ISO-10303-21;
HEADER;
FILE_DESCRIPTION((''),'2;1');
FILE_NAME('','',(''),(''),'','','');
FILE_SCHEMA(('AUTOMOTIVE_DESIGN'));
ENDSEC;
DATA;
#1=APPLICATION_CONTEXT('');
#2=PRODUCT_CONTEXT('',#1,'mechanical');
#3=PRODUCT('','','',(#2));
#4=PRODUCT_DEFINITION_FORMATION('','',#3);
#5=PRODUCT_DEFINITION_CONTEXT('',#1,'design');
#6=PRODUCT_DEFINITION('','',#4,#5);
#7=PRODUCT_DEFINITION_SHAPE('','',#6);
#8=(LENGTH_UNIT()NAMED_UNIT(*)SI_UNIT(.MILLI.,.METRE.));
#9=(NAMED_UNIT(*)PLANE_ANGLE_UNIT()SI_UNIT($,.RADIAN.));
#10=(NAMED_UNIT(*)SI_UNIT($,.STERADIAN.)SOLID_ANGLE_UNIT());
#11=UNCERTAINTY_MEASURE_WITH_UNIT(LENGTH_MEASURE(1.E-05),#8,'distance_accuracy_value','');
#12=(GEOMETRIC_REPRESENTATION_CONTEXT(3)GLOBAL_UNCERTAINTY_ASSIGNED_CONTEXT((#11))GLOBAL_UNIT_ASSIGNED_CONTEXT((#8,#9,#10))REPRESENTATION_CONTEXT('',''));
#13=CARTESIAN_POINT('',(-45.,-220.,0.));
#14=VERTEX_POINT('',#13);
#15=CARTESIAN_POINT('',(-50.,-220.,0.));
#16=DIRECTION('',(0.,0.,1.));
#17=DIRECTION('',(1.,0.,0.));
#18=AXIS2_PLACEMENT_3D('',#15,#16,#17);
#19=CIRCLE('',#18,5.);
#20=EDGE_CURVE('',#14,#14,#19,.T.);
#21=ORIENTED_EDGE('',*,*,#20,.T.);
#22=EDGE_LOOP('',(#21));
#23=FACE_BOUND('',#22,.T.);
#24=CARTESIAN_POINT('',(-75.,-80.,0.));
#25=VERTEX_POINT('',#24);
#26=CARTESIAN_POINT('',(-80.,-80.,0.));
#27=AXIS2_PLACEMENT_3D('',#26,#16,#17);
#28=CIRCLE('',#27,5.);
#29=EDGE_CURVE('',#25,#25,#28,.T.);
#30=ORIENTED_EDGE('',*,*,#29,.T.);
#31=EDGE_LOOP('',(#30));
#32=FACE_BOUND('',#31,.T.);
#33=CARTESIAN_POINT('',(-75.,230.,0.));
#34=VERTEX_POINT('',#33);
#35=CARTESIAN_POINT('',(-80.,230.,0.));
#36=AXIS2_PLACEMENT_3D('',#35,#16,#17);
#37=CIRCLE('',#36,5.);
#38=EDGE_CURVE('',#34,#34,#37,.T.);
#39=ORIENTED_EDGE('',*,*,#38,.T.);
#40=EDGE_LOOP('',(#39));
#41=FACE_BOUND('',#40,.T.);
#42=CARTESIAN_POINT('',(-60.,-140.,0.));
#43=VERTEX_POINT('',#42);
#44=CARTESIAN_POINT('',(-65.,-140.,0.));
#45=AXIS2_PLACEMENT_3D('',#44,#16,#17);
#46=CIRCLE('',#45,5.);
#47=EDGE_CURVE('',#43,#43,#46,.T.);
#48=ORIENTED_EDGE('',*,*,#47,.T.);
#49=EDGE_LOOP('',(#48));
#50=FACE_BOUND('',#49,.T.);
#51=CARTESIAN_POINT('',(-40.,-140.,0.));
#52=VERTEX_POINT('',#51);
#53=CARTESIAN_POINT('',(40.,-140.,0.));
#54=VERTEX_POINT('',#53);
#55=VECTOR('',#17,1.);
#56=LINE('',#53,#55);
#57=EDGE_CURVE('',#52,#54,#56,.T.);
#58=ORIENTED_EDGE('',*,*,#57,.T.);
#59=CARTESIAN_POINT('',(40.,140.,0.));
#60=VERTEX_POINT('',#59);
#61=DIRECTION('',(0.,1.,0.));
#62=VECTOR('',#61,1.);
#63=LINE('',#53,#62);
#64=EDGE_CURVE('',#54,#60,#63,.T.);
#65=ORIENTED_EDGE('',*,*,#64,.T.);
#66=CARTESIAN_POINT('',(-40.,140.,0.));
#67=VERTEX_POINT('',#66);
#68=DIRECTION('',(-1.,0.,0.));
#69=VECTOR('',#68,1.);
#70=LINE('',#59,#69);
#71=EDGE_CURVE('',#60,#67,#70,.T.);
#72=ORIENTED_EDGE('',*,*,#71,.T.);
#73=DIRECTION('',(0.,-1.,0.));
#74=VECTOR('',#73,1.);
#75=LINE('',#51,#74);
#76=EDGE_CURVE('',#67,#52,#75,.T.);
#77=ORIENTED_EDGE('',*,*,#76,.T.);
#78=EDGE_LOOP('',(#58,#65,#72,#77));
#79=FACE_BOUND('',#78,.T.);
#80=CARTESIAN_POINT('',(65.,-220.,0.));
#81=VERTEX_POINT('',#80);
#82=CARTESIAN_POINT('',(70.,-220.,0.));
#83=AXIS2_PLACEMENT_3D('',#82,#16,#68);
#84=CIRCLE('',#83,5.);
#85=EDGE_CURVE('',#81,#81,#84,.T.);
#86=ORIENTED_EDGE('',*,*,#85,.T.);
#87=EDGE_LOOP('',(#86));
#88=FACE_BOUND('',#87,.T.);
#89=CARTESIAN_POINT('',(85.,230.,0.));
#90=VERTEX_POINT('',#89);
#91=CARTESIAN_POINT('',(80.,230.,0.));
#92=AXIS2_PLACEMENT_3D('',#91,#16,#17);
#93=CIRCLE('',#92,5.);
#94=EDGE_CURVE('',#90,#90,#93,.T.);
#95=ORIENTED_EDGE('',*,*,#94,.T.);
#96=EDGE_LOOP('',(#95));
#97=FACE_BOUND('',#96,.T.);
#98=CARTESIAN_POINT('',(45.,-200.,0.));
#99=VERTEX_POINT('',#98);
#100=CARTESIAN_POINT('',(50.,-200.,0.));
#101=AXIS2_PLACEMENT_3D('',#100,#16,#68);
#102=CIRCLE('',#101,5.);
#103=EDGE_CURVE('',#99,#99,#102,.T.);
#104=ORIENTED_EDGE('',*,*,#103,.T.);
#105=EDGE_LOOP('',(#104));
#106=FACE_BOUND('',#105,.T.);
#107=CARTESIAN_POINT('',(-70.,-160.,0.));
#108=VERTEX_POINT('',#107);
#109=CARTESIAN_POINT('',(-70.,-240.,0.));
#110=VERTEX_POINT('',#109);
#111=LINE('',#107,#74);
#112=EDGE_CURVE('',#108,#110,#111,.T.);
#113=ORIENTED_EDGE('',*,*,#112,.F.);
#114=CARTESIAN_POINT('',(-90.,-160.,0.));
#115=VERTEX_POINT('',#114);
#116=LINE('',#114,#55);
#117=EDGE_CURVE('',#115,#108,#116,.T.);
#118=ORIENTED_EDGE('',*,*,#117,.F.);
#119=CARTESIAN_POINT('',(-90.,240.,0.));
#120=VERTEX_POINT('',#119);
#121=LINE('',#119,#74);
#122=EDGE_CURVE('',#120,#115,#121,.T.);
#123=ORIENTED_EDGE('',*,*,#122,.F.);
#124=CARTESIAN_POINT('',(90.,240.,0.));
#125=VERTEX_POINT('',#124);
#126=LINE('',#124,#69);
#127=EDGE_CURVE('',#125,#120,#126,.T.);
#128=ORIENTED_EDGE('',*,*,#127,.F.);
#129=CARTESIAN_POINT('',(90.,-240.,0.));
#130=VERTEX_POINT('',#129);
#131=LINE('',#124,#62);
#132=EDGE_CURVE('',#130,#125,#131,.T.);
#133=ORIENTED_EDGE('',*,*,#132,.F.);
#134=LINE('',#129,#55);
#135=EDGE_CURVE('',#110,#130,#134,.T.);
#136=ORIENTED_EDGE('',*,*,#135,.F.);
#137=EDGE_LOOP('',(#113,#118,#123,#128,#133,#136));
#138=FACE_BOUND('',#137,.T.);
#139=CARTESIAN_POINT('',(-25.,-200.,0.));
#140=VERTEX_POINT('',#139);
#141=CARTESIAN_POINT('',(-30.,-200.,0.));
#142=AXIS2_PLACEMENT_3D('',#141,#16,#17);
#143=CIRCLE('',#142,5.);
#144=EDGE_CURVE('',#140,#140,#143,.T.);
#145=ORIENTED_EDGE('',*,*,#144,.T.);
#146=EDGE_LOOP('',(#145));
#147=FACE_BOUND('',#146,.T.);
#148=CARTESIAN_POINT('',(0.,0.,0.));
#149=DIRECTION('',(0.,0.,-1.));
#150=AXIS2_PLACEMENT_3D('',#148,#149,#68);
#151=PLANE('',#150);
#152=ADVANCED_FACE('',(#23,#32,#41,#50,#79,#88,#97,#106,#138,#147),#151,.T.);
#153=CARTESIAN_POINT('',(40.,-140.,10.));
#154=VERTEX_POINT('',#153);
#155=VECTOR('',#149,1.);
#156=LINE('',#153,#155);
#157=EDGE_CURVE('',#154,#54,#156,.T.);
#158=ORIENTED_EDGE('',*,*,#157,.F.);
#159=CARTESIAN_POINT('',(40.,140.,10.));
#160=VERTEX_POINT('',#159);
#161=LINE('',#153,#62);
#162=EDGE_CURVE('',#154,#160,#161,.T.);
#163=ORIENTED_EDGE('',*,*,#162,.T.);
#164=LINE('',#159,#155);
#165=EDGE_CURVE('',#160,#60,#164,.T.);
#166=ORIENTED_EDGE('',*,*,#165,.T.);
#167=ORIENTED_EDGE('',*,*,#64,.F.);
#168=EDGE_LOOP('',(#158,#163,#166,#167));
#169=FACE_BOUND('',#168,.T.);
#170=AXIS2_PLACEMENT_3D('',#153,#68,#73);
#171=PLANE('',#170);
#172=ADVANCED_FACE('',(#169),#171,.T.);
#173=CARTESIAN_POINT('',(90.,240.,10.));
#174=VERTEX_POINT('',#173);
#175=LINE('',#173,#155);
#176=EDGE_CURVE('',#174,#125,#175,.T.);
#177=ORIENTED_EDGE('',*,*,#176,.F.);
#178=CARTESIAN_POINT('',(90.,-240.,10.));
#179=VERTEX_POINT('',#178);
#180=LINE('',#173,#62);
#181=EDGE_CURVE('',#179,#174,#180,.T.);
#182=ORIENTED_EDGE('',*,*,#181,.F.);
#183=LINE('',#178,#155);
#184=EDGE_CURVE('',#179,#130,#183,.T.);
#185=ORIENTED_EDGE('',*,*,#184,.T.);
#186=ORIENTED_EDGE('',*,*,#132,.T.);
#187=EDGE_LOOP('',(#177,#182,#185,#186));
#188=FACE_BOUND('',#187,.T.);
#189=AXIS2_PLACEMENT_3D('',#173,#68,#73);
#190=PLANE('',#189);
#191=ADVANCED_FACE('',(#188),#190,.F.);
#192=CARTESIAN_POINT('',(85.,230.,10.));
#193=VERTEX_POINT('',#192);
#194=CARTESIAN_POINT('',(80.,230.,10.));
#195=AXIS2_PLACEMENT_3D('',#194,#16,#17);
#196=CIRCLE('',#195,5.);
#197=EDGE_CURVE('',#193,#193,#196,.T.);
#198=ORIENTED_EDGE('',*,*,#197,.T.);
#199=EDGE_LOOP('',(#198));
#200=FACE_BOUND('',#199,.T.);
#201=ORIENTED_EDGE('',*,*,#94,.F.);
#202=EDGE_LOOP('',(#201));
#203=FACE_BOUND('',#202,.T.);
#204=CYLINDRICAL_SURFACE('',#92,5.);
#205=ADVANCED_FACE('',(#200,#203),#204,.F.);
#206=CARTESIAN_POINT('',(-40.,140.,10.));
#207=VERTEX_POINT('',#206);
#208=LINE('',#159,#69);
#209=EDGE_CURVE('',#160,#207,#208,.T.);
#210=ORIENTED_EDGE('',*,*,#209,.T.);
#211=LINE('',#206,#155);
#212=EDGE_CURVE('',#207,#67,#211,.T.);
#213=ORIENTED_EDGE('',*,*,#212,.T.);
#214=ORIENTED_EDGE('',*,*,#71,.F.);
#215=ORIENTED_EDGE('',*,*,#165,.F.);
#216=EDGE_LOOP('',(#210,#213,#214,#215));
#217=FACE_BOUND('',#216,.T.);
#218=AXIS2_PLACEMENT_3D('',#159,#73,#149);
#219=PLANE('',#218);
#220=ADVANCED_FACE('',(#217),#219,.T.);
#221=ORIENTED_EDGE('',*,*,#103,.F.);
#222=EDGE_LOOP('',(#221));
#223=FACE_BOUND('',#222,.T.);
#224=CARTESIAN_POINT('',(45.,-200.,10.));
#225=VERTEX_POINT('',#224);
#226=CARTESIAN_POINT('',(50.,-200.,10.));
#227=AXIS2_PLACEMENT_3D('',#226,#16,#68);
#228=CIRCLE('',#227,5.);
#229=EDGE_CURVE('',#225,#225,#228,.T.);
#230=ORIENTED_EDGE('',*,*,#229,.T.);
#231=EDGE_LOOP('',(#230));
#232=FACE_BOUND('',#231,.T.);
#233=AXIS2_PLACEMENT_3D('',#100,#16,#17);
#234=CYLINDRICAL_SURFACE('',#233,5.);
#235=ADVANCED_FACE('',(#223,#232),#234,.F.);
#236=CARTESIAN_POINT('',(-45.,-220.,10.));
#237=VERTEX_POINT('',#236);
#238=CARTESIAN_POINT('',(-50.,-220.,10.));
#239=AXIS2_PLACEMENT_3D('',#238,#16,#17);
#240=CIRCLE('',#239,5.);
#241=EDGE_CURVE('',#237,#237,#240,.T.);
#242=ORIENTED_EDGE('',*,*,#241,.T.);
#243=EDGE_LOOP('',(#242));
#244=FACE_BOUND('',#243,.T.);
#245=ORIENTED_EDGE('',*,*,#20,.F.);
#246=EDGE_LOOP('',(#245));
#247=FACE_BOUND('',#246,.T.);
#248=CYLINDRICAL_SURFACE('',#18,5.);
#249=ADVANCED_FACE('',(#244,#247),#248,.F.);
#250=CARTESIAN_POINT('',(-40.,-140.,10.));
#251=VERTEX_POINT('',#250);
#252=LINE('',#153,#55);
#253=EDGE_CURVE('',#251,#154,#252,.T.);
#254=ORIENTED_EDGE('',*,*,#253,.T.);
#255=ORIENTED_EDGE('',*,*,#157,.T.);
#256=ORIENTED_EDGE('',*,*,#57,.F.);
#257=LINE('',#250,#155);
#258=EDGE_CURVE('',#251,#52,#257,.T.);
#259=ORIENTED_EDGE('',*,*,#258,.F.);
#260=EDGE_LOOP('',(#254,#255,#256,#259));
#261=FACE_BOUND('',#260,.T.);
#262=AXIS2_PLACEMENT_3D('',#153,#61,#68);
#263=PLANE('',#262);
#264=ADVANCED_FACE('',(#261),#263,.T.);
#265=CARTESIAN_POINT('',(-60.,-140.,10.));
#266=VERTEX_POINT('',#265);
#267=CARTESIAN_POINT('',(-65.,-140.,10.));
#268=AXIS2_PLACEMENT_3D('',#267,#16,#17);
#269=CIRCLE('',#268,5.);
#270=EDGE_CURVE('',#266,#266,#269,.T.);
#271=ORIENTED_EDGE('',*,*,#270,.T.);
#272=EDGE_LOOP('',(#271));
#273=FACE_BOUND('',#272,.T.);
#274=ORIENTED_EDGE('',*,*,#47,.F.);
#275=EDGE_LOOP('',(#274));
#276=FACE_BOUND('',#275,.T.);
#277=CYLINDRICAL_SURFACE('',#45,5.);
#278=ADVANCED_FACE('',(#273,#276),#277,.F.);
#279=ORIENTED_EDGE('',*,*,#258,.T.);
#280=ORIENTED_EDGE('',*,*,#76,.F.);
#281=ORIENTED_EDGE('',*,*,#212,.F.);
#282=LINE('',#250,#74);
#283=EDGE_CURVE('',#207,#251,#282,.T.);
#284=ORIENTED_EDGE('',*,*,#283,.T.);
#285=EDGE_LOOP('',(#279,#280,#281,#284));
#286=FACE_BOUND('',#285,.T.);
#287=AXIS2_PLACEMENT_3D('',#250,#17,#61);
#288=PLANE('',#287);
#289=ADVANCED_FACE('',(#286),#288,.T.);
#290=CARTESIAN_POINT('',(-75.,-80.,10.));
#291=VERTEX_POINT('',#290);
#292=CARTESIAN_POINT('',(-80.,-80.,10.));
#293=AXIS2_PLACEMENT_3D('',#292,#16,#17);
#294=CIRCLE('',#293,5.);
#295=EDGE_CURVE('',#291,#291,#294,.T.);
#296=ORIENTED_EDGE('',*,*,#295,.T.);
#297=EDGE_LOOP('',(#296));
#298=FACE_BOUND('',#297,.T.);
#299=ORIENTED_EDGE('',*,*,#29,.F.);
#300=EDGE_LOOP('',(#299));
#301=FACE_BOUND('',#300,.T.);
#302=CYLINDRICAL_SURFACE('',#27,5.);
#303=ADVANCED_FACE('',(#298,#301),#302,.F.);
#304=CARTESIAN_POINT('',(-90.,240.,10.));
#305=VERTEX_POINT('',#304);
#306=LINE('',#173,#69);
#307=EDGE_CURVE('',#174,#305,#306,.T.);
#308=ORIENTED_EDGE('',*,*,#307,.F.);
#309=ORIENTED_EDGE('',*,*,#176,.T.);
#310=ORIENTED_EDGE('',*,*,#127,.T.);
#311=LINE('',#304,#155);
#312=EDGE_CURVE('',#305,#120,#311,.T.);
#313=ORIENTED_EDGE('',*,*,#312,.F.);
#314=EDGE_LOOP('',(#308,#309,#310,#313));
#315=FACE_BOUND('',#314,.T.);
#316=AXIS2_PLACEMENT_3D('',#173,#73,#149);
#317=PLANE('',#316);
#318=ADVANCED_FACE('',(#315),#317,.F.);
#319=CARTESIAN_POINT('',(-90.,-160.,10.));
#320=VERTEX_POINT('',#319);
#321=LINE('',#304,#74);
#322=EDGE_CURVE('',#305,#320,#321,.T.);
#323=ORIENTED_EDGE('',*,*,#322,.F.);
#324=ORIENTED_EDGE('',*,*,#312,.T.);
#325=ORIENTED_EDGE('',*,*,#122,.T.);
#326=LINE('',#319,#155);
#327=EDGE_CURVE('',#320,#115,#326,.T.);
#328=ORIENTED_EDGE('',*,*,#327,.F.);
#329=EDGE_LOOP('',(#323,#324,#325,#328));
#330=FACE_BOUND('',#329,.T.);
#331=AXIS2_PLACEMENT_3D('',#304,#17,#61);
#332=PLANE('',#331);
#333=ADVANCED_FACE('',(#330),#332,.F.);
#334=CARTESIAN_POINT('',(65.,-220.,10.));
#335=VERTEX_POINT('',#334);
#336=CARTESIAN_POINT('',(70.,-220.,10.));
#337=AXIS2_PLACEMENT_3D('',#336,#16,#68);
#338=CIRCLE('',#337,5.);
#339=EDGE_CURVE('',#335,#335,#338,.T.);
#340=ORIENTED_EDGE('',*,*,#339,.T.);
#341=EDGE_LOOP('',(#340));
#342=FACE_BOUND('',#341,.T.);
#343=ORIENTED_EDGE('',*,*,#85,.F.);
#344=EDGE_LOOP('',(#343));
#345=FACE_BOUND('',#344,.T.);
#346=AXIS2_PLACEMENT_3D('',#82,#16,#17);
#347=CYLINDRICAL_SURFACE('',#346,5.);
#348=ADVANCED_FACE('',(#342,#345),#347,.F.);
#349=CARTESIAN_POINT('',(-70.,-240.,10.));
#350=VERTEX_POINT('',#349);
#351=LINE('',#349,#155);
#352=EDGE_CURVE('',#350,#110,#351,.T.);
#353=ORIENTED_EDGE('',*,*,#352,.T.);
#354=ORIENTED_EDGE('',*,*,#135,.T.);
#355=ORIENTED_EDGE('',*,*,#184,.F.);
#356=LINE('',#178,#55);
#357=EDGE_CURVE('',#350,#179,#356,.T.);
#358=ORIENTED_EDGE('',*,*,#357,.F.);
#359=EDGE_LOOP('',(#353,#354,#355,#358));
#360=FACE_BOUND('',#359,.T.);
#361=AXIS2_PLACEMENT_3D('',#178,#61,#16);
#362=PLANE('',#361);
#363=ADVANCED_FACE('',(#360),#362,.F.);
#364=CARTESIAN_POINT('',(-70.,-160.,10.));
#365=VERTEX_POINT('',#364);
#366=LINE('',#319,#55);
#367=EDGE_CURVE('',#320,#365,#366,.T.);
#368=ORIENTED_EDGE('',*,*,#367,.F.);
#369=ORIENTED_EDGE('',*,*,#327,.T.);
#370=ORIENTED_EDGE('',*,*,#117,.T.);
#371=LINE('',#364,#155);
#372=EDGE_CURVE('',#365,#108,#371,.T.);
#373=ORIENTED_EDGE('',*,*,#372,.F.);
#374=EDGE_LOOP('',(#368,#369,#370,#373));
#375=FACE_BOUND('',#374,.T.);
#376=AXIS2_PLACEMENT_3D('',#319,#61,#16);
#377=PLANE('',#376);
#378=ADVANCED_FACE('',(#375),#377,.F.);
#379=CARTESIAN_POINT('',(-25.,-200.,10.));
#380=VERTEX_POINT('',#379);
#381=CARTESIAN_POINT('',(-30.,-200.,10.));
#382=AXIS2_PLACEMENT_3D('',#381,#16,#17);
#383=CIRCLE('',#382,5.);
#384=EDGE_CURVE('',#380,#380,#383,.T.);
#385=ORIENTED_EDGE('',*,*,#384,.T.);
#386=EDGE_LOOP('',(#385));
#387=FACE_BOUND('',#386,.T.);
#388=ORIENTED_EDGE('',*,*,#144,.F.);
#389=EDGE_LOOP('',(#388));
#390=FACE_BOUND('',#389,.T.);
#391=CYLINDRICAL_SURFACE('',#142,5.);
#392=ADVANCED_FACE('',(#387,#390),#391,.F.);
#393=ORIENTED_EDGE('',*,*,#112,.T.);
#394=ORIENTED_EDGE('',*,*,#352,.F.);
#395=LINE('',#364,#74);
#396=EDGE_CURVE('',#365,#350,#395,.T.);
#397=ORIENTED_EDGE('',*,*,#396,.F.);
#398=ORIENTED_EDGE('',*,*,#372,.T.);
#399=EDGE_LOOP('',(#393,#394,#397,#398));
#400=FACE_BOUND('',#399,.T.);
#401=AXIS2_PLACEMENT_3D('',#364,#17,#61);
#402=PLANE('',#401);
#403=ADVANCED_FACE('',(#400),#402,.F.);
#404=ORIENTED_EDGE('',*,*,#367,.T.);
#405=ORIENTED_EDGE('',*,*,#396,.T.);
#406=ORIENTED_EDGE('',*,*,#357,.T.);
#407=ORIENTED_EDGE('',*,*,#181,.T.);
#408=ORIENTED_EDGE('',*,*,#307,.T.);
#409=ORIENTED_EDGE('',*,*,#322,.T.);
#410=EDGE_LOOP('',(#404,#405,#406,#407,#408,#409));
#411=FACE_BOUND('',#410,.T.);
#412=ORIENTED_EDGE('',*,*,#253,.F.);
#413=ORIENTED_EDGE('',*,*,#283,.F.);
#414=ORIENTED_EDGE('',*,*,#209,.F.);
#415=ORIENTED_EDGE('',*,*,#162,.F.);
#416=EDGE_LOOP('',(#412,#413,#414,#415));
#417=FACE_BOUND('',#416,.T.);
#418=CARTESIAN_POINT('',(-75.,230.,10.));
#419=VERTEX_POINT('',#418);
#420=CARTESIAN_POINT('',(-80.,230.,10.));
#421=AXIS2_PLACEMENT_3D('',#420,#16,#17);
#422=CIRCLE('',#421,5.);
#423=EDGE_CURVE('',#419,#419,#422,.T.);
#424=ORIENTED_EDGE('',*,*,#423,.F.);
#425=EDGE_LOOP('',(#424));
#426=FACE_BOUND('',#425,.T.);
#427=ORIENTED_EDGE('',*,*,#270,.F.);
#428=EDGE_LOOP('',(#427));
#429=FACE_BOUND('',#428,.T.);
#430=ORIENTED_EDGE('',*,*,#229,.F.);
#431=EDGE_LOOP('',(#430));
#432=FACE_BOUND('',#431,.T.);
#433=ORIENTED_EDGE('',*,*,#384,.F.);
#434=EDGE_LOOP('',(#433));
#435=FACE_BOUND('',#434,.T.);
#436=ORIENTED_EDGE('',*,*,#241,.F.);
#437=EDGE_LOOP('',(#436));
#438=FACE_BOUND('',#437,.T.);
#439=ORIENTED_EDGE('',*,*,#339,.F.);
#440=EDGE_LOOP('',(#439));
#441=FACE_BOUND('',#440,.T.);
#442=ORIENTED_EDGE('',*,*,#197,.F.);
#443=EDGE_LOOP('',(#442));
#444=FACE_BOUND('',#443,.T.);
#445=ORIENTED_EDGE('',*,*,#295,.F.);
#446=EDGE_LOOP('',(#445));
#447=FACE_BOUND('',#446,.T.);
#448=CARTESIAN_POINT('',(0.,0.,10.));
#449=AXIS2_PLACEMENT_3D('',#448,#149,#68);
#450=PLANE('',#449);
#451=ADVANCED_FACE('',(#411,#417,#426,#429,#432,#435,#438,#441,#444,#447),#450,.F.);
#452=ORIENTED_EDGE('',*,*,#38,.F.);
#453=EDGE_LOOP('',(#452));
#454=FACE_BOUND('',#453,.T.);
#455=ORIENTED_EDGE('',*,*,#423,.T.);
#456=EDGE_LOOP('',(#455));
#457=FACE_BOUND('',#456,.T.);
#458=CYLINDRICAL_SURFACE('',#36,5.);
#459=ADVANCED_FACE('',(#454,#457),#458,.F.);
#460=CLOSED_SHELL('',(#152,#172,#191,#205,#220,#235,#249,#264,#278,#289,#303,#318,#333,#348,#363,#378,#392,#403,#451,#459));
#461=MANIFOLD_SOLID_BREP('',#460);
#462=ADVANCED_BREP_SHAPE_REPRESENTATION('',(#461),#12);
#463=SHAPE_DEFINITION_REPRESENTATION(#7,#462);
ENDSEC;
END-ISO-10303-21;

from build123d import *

# Parameters (mm, degrees)
SKETCH1_W           = 80
SKETCH1_H           = 280
BOSS_EXTRUDE1_DEPTH = 10
SKETCH6_R           = 5
CUT_EXTRUDE3_DEPTH  = 10


with BuildPart() as part:
    # Sketch1 → Boss-Extrude1 (new body)
    with BuildSketch(Plane.XY):
        Polygon((-90, -160), (-70, -160), (-70, -240), (90, -240), (90, 240), (-90, 240), align=None)
        Rectangle(SKETCH1_W, SKETCH1_H, mode=Mode.SUBTRACT)
    extrude(amount=BOSS_EXTRUDE1_DEPTH)

    # Sketch6 → Cut-Extrude3 (cut)
    with BuildSketch(Plane.XY.offset(10)):
        with Locations((-50, -220)):
            Circle(SKETCH6_R)
        with Locations((-30, -200)):
            Circle(SKETCH6_R)
        with Locations(Location((70, -220, 0), (0, 0, 180))):
            Circle(SKETCH6_R)
        with Locations(Location((50, -200, 0), (0, 0, 180))):
            Circle(SKETCH6_R)
        with Locations((-80, 230)):
            Circle(SKETCH6_R)
        with Locations((80, 230)):
            Circle(SKETCH6_R)
        with Locations((-80, -80)):
            Circle(SKETCH6_R)
        with Locations((-65, -140)):
            Circle(SKETCH6_R)
    extrude(amount=-CUT_EXTRUDE3_DEPTH, mode=Mode.SUBTRACT)


solid = part.part
